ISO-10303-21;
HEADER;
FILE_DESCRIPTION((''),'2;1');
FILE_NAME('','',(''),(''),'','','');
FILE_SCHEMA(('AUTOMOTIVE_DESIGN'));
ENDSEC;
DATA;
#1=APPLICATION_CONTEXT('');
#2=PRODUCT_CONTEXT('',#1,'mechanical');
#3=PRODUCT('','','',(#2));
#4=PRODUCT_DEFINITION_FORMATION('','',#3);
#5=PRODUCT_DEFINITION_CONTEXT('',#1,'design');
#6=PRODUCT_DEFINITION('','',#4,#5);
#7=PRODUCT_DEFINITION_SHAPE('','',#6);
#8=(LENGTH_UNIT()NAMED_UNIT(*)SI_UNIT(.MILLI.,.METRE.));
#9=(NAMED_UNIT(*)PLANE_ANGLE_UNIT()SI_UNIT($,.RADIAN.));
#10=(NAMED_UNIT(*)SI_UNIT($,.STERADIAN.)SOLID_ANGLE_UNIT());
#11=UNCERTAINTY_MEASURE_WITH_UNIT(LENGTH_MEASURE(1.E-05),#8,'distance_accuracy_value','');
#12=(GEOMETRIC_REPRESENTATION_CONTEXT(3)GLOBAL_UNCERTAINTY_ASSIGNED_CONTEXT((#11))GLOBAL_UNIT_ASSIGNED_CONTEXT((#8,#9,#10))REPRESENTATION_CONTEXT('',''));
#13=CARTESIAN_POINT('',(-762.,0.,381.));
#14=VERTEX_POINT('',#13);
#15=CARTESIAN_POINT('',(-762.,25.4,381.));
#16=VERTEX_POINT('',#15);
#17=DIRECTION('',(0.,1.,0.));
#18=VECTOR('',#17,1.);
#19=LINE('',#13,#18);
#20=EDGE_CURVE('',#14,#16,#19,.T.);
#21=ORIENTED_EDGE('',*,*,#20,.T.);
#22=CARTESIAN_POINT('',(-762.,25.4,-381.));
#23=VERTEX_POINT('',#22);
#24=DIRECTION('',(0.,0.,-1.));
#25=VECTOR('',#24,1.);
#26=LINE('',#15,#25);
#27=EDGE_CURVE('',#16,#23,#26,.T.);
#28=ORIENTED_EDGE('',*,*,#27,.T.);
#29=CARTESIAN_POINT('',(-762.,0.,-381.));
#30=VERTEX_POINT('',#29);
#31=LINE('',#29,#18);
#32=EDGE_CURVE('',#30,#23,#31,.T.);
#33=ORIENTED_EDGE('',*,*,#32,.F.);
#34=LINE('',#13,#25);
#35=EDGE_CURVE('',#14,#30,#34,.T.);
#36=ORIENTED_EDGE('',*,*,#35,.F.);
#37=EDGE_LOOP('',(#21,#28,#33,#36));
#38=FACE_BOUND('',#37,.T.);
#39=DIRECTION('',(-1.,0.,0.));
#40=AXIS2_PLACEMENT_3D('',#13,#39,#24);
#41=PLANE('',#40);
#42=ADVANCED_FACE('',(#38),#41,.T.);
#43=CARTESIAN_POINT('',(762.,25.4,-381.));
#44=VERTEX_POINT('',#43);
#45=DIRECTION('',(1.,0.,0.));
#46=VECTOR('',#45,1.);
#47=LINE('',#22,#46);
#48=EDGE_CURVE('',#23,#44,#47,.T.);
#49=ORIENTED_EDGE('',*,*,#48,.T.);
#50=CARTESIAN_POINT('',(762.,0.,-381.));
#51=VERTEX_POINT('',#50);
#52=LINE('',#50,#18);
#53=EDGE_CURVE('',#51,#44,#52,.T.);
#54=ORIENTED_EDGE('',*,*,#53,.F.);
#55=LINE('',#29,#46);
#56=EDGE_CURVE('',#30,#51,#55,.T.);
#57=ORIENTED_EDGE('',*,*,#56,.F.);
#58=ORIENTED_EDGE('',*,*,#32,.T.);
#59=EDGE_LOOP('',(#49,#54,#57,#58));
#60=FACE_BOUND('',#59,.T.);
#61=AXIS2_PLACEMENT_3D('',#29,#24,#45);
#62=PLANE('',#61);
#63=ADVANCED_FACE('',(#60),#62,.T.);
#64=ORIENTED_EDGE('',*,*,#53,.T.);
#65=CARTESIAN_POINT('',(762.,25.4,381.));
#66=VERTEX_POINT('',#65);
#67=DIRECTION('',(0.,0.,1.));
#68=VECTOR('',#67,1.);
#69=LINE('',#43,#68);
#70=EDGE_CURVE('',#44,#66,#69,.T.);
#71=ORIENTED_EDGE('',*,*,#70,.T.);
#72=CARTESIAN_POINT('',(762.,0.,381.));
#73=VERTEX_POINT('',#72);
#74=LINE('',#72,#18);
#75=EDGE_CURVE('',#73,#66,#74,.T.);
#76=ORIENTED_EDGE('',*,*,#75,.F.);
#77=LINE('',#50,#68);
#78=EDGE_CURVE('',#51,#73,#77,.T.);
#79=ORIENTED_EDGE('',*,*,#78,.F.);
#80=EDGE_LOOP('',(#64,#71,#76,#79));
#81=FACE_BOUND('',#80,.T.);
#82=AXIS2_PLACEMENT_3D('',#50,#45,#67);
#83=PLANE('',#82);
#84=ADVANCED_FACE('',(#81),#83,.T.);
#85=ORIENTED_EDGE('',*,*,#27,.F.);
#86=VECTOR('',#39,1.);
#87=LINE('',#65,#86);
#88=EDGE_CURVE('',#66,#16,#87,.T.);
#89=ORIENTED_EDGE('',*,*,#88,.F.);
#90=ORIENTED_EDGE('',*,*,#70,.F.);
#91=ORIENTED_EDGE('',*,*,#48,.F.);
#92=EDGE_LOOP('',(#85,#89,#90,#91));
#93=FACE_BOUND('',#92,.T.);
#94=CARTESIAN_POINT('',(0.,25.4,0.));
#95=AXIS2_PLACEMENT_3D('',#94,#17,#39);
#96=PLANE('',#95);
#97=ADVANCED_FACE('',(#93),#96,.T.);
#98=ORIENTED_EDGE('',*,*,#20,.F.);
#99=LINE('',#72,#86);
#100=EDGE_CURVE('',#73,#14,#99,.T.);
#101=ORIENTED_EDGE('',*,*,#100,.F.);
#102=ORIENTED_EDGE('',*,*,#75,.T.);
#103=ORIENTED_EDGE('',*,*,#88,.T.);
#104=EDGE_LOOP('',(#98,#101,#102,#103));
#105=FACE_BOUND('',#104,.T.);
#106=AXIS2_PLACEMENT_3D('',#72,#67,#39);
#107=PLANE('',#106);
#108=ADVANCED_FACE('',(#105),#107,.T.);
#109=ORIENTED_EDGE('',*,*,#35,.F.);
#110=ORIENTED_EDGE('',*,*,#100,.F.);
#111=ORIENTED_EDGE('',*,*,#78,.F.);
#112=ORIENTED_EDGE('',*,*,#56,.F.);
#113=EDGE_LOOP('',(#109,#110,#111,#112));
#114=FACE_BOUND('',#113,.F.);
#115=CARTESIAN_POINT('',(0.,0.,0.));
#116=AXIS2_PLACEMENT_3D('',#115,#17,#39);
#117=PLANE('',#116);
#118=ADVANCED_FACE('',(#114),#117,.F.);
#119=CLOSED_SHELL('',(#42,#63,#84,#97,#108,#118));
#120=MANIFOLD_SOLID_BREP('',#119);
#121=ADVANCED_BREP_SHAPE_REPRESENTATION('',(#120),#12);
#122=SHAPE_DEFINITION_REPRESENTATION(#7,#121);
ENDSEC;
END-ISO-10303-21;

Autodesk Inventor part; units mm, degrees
ref_plane "YZ Plane" through (0, 0, 0) normal (1, 0, 0) x (0, 1, 0)
ref_plane "XZ Plane" through (0, 0, 0) normal (0, 1, 0) x (-1, 0, 0)
ref_plane "XY Plane" through (0, 0, 0) normal (0, 0, 1) x (1, 0, 0)
sketch "Sketch1" plane through (0, 0, 0) normal (0, 1, 0) x (-1, 0, 0)
  line L0 (762, -381) -> (-762, -381)
  line L1 (-762, -381) -> (-762, 381)
  line L2 (-762, 381) -> (762, 381)
  line L3 (762, 381) -> (762, -381)
  line L4 (762, -381) -> (-762, 381) construction
  line L5 (-762, -381) -> (762, 381) construction
  point P0 (0, 0)
  dimension "d0" = 1524
  dimension "d1" = 762
extrude "Extrusion1" add sketch "Sketch1" along normal blind 25.4
properties part number "3 - 1" material "Granite, Cut, Polished"
